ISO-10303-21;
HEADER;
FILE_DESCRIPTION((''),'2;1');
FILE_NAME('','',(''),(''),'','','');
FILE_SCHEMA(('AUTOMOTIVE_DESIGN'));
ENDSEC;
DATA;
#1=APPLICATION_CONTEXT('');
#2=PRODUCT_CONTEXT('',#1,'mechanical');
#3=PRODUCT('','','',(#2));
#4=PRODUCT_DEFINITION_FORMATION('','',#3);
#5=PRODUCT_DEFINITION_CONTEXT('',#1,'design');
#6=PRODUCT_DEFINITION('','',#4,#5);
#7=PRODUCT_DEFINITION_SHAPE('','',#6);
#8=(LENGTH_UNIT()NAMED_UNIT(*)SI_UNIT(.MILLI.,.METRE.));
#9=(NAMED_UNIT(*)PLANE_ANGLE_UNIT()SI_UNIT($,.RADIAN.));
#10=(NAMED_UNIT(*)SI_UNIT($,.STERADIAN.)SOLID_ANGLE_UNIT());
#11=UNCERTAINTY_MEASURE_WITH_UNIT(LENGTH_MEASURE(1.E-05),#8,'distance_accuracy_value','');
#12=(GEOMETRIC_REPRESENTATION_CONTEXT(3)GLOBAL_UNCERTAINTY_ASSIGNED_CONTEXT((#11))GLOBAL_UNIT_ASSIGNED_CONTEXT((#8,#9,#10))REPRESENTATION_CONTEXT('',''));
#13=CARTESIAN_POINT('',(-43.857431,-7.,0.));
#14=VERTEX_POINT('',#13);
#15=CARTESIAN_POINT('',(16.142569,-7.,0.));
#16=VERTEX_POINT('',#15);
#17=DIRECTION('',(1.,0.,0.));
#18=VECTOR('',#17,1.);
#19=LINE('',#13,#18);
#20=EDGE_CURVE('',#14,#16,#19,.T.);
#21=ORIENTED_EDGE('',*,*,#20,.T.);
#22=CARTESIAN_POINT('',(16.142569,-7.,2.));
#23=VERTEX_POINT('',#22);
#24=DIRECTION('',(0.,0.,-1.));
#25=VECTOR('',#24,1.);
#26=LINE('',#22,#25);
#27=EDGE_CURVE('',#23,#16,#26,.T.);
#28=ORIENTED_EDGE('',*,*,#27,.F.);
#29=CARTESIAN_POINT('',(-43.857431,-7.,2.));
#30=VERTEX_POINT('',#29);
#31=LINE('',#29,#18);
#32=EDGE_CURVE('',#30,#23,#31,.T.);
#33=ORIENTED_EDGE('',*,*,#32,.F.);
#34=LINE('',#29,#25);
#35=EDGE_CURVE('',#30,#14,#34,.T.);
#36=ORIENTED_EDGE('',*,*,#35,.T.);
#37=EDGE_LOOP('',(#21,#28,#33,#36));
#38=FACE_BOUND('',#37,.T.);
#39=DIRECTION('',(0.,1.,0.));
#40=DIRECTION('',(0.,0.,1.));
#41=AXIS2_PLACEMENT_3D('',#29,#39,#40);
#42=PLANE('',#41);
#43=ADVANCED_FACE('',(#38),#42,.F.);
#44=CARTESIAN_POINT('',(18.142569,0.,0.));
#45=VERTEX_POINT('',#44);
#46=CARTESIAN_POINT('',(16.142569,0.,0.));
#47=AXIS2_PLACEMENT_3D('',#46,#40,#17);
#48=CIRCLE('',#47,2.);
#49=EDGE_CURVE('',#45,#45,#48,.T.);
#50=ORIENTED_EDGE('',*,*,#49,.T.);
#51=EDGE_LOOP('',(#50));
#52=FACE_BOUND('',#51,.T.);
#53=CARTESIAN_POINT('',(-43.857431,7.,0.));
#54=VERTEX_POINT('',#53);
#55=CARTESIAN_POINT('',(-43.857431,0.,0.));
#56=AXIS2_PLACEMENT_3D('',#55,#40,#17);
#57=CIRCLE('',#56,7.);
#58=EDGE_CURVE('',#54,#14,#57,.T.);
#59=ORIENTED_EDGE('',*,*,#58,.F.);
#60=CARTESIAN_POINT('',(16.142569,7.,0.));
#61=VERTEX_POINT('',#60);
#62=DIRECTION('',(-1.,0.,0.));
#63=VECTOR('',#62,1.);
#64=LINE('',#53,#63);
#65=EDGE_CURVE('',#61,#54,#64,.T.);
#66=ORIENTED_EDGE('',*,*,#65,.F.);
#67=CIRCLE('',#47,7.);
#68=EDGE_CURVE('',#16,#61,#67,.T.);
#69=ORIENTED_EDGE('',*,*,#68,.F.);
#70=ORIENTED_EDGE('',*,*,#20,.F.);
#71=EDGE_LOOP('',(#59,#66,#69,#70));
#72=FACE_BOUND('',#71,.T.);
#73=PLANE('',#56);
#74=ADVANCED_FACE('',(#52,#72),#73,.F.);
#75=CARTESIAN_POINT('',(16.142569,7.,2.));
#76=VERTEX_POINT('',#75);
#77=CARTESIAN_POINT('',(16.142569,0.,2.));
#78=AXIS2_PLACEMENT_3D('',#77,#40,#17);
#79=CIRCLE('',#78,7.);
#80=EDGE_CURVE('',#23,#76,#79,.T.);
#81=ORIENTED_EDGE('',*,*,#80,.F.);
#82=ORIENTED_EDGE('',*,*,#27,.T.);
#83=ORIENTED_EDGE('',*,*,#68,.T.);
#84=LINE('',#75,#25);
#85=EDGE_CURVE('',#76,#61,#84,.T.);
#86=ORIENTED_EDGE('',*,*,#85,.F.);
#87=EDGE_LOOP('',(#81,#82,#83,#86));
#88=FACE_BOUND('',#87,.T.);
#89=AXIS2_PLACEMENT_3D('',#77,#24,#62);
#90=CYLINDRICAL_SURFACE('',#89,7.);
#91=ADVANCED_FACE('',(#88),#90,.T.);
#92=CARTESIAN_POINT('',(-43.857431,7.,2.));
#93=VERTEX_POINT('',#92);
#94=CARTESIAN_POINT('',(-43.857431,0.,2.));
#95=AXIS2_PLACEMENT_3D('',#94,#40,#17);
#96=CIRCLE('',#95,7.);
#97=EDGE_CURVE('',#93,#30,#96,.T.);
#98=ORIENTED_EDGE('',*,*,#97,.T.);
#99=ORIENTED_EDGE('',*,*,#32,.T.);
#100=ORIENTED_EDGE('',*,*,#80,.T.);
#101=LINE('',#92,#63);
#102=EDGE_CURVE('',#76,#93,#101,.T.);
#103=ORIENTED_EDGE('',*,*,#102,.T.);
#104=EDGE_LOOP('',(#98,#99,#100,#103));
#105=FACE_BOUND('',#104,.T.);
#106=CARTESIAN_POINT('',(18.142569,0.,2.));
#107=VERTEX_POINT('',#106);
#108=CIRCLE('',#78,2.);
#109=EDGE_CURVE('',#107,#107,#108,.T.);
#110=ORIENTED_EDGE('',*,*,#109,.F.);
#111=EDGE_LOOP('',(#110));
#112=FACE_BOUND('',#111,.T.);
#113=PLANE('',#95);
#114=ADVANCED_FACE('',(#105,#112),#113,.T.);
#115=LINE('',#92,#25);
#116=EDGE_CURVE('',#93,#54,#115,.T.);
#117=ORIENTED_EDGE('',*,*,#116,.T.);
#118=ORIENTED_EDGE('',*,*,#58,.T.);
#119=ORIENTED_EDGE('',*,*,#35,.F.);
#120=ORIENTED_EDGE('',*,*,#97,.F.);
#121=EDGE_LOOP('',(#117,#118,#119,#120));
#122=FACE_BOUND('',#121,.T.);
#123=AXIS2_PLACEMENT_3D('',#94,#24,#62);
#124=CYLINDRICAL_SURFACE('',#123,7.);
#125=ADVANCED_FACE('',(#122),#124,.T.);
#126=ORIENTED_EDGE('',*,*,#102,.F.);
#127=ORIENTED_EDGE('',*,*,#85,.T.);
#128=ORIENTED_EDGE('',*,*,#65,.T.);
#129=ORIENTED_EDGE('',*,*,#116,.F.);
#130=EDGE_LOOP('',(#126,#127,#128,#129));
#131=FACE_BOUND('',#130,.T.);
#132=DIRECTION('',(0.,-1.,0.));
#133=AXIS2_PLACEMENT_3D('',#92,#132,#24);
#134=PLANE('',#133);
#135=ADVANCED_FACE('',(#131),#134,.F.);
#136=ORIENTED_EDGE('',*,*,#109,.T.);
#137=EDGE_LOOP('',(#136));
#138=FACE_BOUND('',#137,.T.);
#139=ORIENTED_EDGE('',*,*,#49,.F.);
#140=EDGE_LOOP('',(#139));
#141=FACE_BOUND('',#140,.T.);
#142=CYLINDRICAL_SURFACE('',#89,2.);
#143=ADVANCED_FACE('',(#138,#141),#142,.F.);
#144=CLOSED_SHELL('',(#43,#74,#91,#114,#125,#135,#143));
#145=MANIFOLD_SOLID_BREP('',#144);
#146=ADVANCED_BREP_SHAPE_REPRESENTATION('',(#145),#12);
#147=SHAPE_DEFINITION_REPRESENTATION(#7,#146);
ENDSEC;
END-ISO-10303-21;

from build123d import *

# Parameters (mm, degrees)
SKETCH1_R           = 2
BOSS_EXTRUDE1_DEPTH = 2


with BuildPart() as part:
    # Sketch1 → Boss-Extrude1 (new body)
    with BuildSketch(Plane.XY):
        with BuildLine():
            Line((-43.857431375, 7), (16.142568625, 7))
            ThreePointArc((16.142568625, 7), (23.142568625, 0), (16.142568625, -7))
            Line((16.142568625, -7), (-43.857431375, -7))
            ThreePointArc((-43.857431375, -7), (-50.857431375, 0), (-43.857431375, 7))
        make_face()
        with Locations((16.142568625, 0)):
            Circle(SKETCH1_R, mode=Mode.SUBTRACT)
    extrude(amount=BOSS_EXTRUDE1_DEPTH)


solid = part.part
